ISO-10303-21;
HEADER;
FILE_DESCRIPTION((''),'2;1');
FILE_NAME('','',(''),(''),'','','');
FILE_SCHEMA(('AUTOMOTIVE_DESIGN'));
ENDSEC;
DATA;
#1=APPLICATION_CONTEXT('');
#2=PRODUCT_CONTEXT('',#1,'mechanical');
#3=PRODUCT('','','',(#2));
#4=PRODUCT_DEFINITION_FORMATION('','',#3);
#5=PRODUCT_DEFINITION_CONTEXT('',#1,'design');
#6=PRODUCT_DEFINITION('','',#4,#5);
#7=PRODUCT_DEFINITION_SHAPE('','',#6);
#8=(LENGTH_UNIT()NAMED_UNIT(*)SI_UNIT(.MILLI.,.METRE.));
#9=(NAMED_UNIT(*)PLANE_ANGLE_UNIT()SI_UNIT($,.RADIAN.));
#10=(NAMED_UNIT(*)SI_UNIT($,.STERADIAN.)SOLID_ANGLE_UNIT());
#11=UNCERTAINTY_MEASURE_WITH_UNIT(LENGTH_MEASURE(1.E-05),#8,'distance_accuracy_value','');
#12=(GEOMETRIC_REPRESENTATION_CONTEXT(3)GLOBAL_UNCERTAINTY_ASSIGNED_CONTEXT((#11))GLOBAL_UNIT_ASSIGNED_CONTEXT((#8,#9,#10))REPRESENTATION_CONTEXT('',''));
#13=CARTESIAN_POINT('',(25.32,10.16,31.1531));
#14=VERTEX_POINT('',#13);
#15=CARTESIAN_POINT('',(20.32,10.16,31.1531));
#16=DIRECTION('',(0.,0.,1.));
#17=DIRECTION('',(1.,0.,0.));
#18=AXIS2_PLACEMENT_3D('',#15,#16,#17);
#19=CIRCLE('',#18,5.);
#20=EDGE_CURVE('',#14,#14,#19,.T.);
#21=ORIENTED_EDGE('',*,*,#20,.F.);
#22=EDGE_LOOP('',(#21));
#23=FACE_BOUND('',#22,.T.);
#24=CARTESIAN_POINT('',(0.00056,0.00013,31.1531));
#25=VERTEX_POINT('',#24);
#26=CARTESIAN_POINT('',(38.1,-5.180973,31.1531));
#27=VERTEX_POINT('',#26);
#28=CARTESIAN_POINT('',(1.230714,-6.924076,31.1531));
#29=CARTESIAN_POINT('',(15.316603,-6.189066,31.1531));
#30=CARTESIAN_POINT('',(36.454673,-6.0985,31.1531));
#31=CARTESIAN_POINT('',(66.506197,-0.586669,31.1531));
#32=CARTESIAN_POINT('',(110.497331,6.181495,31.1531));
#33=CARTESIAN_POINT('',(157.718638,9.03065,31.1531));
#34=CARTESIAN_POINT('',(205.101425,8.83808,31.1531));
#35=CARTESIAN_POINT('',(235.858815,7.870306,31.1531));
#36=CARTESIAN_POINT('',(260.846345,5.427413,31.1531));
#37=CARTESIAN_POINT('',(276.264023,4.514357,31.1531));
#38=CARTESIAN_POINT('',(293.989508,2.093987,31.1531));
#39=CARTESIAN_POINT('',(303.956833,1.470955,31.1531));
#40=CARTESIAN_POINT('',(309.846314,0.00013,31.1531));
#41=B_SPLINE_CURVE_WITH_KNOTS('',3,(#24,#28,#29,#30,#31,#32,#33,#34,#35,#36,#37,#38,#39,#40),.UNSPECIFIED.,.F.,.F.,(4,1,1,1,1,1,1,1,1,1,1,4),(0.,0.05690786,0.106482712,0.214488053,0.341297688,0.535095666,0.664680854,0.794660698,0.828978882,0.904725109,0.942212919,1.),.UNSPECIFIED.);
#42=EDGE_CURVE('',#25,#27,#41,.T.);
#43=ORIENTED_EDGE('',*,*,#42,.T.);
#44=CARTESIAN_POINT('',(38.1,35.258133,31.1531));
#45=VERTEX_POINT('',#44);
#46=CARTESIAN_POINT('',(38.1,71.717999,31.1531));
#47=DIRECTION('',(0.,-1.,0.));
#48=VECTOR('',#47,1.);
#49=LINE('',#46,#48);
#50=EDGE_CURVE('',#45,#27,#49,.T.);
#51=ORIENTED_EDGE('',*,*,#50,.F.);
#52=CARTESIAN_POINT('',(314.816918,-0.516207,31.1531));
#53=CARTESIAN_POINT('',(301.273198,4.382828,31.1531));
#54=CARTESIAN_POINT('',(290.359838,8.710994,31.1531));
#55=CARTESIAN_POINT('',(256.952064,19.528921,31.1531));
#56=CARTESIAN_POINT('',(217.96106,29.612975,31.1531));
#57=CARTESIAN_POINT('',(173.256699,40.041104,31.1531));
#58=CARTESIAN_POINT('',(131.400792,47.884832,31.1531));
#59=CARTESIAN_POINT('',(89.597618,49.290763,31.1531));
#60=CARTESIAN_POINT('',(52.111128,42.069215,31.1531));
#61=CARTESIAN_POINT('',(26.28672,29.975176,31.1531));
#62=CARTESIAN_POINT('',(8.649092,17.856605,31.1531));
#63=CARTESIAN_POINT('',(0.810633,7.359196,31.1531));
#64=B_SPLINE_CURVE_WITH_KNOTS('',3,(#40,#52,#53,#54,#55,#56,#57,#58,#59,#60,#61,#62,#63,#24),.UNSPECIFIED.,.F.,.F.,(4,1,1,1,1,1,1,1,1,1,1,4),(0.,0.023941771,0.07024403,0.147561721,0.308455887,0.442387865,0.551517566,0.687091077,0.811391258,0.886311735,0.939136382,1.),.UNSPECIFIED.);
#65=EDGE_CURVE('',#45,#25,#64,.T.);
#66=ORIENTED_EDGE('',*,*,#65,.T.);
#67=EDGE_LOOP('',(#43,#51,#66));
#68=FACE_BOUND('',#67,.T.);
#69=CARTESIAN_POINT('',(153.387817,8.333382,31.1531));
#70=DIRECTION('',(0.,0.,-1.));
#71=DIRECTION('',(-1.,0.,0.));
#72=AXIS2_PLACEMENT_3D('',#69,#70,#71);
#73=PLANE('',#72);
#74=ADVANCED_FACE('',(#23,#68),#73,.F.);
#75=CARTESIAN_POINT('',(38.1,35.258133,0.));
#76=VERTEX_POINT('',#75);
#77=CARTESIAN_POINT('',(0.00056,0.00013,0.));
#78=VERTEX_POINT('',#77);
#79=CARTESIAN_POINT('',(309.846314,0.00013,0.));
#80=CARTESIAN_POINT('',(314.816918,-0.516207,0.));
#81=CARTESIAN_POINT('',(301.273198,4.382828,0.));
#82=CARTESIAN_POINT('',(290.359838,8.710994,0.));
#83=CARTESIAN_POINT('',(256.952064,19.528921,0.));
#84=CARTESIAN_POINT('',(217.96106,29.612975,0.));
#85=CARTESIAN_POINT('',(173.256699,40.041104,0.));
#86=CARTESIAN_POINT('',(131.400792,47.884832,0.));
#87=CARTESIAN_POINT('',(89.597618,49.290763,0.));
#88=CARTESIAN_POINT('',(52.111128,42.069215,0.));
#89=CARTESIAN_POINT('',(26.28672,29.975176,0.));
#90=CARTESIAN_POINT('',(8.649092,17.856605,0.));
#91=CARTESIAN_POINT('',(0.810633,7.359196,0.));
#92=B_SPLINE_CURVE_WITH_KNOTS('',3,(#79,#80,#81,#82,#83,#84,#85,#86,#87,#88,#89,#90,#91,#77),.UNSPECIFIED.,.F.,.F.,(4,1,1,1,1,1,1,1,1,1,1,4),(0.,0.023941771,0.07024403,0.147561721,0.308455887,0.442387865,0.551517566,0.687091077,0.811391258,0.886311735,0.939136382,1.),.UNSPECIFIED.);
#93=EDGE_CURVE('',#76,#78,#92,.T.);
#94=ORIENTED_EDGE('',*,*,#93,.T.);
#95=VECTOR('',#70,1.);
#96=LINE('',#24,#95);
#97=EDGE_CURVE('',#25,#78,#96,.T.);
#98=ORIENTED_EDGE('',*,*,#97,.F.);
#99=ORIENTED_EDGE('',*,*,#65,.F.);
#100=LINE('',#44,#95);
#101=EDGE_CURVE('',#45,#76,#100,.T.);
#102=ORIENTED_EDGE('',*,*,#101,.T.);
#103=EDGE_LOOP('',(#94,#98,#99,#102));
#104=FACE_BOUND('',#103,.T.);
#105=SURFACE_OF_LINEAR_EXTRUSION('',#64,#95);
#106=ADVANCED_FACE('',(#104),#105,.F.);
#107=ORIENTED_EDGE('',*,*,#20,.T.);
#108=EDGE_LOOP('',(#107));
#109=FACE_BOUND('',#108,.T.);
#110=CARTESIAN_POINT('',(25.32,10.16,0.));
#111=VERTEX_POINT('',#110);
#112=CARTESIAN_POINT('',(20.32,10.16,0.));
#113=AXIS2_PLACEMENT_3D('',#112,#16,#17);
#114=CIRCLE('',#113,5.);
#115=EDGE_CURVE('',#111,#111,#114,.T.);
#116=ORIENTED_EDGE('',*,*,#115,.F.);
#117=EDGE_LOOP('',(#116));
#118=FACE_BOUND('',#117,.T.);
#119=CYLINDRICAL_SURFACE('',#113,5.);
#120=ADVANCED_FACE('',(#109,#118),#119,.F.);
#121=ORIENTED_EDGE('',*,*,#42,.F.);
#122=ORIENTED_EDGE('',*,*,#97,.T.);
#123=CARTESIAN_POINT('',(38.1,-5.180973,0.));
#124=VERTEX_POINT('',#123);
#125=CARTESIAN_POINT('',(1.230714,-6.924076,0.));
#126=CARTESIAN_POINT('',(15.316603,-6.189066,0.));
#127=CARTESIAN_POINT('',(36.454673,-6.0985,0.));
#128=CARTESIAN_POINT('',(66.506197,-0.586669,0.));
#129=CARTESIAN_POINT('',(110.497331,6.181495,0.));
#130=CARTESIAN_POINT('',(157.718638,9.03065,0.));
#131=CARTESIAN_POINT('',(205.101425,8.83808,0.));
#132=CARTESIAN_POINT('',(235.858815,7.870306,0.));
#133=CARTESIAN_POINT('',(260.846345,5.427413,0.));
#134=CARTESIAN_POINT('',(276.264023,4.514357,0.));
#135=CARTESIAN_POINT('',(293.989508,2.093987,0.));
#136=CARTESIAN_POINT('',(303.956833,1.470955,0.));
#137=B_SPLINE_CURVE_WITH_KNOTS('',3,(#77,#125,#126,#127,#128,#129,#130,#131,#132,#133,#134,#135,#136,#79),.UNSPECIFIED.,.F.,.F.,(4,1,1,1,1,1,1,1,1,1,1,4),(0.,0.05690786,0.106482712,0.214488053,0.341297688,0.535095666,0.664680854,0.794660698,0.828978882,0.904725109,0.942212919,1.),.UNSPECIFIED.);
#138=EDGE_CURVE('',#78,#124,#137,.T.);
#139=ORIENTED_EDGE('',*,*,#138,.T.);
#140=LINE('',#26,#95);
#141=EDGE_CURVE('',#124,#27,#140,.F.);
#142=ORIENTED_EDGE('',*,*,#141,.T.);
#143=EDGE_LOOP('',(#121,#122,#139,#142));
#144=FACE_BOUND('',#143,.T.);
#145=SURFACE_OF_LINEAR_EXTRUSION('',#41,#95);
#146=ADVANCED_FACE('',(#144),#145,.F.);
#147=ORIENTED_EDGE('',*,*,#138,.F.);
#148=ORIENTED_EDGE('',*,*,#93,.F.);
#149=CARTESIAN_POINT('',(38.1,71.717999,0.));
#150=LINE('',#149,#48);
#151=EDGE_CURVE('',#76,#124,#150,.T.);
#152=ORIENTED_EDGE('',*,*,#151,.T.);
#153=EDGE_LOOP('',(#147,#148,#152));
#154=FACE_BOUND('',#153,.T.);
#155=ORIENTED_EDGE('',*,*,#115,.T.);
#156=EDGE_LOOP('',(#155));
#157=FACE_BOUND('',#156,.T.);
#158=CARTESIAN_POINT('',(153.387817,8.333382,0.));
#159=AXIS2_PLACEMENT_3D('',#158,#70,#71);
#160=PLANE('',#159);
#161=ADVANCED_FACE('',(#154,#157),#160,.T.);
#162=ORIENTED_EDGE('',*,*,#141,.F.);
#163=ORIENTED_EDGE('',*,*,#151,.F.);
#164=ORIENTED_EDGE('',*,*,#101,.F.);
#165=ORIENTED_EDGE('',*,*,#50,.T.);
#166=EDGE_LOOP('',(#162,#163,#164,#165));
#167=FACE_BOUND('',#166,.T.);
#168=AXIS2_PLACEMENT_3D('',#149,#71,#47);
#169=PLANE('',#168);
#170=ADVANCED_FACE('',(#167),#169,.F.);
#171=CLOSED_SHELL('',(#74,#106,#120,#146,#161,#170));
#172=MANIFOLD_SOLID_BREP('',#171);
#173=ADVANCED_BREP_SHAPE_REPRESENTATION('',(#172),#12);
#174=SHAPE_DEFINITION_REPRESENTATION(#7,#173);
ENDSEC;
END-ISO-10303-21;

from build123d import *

# Parameters (mm, degrees)
BOSS_EXTRUDE1_DEPTH = 31.1531
SKETCH2_R           = 5
SKETCH2_R_2         = 3.175
CUT_EXTRUDE1_DEPTH  = 318.261218693
SKETCH3_W           = 293.188888759
SKETCH3_H           = 137.971241769
CUT_EXTRUDE2_DEPTH  = 318.261218693


with BuildPart() as part:
    # Sketch1 → Boss-Extrude1 (new body)
    with BuildSketch(Plane.XY):
        with BuildLine():
            add(Edge.make_bspline(
                [(0.000560351, 0.000130087), (0.810633127, 7.359196055), (8.649092025, 17.856605174), (26.286719818, 29.975176328), (52.111128271, 42.069215275), (89.597618475, 49.290763054), (131.400792109, 47.884831915), (173.256699242, 40.041104278), (217.961060472, 29.612974894), (256.952064401, 19.528920948), (290.35983767, 8.71099439), (301.273197721, 4.382828139), (314.816918223, -0.516206742), (309.846313895, 0.000130087)],
                knots=[0, 0, 0, 0, 0.060863618, 0.113688265, 0.188608742, 0.312908923, 0.448482434, 0.557612135, 0.691544113, 0.852438279, 0.92975597, 0.976058229, 1, 1, 1, 1], degree=3))
            add(Edge.make_bspline(
                [(309.846313895, 0.000130087), (303.956832565, 1.47095521), (293.989507544, 2.093987313), (276.26402299, 4.514356704), (260.846344817, 5.427413394), (235.858814759, 7.870306192), (205.101424636, 8.838080282), (157.718638092, 9.030650149), (110.497331172, 6.181495223), (66.506197185, -0.586669107), (36.454672816, -6.098499901), (15.316603331, -6.189065841), (1.230714189, -6.924076091), (0.000560351, 0.000130087)],
                knots=[0, 0, 0, 0, 0.057787081, 0.095274891, 0.171021118, 0.205339302, 0.335319146, 0.464904334, 0.658702312, 0.785511947, 0.893517288, 0.94309214, 1, 1, 1, 1], degree=3))
        make_face()
    extrude(amount=BOSS_EXTRUDE1_DEPTH)

    # Sketch2 → Cut-Extrude1 (cut, through all)
    with BuildSketch(Plane.XY.offset(31.1531)):
        with Locations((20.32, 10.16)):
            Circle(SKETCH2_R)
        with Locations((227.296313895, 19.050130087)):
            Circle(SKETCH2_R_2)
    extrude(amount=-CUT_EXTRUDE1_DEPTH, mode=Mode.SUBTRACT)

    # Sketch3 → Cut-Extrude2 (cut, through all)
    with BuildSketch(Plane.XY.offset(31.1531)):
        with Locations((184.69444438, 2.732377951)):
            Rectangle(SKETCH3_W, SKETCH3_H)
    extrude(amount=-CUT_EXTRUDE2_DEPTH, mode=Mode.SUBTRACT)


solid = part.part
